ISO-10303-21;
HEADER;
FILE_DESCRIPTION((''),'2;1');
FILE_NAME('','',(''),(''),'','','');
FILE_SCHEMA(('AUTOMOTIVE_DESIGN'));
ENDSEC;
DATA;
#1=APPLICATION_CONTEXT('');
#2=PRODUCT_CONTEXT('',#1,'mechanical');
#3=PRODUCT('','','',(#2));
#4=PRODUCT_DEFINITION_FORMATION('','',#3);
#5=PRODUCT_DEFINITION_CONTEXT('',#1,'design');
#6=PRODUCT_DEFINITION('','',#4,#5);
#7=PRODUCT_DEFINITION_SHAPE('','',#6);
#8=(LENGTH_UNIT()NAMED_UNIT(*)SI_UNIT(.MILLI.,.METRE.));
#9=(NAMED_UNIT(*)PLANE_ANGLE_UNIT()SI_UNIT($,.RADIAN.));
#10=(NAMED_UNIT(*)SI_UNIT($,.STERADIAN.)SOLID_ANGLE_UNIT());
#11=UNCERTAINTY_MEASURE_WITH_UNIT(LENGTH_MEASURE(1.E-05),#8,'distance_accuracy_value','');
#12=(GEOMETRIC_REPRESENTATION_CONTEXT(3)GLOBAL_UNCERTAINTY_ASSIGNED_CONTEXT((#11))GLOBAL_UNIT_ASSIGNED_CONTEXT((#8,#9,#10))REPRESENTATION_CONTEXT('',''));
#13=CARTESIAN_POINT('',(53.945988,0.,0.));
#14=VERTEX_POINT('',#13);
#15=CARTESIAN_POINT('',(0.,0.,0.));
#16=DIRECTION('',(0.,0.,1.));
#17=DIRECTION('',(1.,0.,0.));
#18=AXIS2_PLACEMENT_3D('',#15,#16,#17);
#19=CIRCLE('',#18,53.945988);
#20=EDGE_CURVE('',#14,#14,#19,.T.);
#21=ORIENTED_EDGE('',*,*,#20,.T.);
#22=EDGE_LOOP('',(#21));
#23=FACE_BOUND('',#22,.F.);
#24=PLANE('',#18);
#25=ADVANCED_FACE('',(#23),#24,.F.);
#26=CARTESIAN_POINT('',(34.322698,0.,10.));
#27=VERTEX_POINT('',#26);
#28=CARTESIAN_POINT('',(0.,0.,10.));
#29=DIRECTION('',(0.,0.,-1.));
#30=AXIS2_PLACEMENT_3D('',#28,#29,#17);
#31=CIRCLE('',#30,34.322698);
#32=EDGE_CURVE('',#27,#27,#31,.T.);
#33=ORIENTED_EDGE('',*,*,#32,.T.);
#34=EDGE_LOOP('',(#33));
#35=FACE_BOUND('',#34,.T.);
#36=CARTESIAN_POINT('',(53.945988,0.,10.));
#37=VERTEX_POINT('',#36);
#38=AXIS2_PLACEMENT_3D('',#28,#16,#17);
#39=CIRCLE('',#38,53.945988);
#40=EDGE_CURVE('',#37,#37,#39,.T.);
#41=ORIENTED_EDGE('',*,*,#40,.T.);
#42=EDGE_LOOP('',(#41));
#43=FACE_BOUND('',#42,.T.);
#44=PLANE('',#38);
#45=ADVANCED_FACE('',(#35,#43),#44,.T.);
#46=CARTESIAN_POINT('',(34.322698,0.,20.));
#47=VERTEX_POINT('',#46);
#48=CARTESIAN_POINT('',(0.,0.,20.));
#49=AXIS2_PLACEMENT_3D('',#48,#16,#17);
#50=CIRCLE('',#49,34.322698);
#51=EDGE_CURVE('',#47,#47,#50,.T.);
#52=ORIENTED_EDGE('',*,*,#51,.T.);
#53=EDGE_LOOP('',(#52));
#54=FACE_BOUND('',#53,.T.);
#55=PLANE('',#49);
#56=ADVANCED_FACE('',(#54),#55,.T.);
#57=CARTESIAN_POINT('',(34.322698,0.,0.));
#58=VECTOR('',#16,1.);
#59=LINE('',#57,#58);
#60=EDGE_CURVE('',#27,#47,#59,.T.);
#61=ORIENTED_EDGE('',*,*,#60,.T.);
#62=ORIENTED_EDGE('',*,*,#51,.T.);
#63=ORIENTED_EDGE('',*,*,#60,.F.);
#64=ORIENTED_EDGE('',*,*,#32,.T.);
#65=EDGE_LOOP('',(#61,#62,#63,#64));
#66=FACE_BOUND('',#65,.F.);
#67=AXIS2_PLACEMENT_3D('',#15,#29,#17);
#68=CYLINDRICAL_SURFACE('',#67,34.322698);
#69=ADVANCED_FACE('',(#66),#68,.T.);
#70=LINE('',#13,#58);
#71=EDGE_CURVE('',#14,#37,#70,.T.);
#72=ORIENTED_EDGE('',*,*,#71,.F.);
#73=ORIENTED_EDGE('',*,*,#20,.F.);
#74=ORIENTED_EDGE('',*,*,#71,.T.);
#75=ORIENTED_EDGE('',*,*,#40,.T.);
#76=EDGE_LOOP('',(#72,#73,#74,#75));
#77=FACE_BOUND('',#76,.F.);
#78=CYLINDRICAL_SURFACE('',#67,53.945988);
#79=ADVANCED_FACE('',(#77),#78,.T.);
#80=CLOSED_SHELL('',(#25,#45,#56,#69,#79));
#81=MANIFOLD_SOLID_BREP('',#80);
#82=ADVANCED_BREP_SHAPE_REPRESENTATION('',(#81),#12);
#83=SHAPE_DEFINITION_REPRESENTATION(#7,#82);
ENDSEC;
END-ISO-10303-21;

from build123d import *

# Parameters (mm, degrees)
F0_R     = 34.322698
F1_DEPTH = 20
F2_R     = 53.945988
F3_DEPTH = 10
F4_R     = 45.735873
F5_DEPTH = 10


with BuildPart() as f1:
    # F0 (on Top) → F1 (new body)
    with BuildSketch(Plane.XY):
        Circle(F0_R)
    extrude(amount=F1_DEPTH)

    # F2 (on Top) → F3 (join)
    with BuildSketch(Plane.XY):
        Circle(F2_R)
    extrude(amount=F3_DEPTH)

    # F4 (on Top) → F5 (join)
    with BuildSketch(Plane.XY):
        Circle(F4_R)
    extrude(amount=F5_DEPTH)


solid = f1.part
